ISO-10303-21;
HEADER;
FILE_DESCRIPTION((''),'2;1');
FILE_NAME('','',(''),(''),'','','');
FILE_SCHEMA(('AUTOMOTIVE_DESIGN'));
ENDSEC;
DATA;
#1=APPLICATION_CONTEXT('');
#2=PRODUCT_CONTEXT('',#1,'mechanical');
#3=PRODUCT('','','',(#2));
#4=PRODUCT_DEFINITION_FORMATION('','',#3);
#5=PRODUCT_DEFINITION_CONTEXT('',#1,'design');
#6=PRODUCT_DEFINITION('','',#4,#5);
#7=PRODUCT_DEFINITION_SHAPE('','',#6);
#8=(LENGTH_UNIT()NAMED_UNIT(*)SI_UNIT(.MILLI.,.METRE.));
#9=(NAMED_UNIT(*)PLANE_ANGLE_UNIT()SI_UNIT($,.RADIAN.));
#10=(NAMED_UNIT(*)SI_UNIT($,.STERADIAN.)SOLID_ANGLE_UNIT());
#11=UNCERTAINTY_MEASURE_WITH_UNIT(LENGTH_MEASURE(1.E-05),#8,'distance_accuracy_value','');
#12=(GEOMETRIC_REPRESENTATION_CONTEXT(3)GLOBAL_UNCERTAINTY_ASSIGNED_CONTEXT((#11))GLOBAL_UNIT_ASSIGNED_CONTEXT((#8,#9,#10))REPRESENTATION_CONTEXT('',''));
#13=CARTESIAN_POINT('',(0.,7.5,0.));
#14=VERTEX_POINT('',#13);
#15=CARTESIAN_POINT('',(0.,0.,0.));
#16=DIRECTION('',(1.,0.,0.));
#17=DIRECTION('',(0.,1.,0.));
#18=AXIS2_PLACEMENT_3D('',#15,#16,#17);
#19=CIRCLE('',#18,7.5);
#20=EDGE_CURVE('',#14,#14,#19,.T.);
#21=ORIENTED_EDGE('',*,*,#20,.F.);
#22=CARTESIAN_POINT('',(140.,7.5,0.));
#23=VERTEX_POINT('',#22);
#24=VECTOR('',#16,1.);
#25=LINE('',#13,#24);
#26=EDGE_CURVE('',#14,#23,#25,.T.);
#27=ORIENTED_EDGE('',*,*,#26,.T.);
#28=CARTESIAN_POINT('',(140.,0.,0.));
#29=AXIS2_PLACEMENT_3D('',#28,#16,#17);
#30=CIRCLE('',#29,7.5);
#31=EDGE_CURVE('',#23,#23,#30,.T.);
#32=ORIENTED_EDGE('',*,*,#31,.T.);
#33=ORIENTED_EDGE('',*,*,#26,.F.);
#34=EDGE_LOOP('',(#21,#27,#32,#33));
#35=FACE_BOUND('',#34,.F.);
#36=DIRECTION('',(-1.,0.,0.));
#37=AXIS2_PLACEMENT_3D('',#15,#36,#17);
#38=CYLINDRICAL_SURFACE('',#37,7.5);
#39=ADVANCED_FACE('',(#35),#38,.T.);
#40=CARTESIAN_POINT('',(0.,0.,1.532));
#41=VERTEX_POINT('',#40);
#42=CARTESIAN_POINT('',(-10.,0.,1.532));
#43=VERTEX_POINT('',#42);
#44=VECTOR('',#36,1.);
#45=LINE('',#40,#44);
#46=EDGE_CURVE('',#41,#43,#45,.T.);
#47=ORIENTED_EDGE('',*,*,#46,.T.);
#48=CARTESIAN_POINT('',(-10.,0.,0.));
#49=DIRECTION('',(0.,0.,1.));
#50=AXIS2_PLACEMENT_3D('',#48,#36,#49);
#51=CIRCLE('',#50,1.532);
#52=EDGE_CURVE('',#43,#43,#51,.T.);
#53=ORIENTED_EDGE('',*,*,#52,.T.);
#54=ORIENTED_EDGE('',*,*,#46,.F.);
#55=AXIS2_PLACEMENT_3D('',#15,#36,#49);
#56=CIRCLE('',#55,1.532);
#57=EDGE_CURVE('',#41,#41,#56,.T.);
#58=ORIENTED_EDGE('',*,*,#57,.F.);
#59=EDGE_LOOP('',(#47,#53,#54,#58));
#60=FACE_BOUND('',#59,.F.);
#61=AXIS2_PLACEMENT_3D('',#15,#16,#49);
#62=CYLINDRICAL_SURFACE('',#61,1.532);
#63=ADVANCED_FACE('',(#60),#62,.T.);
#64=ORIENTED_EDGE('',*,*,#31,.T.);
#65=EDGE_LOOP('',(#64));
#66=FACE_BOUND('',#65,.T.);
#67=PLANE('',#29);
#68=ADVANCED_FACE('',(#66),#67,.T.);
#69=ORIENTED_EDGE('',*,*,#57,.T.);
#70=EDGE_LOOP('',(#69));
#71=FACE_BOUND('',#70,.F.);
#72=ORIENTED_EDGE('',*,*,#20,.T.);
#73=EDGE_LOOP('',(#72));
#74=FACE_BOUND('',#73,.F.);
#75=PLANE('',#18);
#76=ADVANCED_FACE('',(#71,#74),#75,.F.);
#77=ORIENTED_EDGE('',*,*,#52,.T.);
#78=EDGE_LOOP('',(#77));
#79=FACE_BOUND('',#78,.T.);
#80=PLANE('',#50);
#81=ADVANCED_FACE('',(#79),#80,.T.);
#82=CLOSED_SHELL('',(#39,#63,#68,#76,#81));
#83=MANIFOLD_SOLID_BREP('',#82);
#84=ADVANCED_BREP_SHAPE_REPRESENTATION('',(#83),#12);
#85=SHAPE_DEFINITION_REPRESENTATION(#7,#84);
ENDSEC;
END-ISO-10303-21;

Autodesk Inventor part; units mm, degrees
ref_plane "YZ Plane" through (0, 0, 0) normal (1, 0, 0) x (0, 1, 0)
ref_plane "XZ Plane" through (0, 0, 0) normal (0, 1, 0) x (-1, 0, 0)
ref_plane "XY Plane" through (0, 0, 0) normal (0, 0, 1) x (1, 0, 0)
sketch "Sketch1" plane through (0, 0, 0) normal (1, 0, 0) x (0, 1, 0)
  circle A0 centre (0, 0) radius 7.5
  dimension "d0" = 15
extrude "Extrusion1" add sketch "Sketch1" along normal blind 140
sketch "Sketch2" plane through (0, 0, 0) normal (-1, 0, 0) x (0, 0, 1)
  point P0 (0, 0)
sketch "Sketch3" plane through (0, 0, 0) normal (-1, 0, 0) x (0, 0, 1)
  circle A0 centre (0, 0) radius 1.532
extrude "Extrusion2" add sketch "Sketch3" along normal blind 10
properties part number "marker"
